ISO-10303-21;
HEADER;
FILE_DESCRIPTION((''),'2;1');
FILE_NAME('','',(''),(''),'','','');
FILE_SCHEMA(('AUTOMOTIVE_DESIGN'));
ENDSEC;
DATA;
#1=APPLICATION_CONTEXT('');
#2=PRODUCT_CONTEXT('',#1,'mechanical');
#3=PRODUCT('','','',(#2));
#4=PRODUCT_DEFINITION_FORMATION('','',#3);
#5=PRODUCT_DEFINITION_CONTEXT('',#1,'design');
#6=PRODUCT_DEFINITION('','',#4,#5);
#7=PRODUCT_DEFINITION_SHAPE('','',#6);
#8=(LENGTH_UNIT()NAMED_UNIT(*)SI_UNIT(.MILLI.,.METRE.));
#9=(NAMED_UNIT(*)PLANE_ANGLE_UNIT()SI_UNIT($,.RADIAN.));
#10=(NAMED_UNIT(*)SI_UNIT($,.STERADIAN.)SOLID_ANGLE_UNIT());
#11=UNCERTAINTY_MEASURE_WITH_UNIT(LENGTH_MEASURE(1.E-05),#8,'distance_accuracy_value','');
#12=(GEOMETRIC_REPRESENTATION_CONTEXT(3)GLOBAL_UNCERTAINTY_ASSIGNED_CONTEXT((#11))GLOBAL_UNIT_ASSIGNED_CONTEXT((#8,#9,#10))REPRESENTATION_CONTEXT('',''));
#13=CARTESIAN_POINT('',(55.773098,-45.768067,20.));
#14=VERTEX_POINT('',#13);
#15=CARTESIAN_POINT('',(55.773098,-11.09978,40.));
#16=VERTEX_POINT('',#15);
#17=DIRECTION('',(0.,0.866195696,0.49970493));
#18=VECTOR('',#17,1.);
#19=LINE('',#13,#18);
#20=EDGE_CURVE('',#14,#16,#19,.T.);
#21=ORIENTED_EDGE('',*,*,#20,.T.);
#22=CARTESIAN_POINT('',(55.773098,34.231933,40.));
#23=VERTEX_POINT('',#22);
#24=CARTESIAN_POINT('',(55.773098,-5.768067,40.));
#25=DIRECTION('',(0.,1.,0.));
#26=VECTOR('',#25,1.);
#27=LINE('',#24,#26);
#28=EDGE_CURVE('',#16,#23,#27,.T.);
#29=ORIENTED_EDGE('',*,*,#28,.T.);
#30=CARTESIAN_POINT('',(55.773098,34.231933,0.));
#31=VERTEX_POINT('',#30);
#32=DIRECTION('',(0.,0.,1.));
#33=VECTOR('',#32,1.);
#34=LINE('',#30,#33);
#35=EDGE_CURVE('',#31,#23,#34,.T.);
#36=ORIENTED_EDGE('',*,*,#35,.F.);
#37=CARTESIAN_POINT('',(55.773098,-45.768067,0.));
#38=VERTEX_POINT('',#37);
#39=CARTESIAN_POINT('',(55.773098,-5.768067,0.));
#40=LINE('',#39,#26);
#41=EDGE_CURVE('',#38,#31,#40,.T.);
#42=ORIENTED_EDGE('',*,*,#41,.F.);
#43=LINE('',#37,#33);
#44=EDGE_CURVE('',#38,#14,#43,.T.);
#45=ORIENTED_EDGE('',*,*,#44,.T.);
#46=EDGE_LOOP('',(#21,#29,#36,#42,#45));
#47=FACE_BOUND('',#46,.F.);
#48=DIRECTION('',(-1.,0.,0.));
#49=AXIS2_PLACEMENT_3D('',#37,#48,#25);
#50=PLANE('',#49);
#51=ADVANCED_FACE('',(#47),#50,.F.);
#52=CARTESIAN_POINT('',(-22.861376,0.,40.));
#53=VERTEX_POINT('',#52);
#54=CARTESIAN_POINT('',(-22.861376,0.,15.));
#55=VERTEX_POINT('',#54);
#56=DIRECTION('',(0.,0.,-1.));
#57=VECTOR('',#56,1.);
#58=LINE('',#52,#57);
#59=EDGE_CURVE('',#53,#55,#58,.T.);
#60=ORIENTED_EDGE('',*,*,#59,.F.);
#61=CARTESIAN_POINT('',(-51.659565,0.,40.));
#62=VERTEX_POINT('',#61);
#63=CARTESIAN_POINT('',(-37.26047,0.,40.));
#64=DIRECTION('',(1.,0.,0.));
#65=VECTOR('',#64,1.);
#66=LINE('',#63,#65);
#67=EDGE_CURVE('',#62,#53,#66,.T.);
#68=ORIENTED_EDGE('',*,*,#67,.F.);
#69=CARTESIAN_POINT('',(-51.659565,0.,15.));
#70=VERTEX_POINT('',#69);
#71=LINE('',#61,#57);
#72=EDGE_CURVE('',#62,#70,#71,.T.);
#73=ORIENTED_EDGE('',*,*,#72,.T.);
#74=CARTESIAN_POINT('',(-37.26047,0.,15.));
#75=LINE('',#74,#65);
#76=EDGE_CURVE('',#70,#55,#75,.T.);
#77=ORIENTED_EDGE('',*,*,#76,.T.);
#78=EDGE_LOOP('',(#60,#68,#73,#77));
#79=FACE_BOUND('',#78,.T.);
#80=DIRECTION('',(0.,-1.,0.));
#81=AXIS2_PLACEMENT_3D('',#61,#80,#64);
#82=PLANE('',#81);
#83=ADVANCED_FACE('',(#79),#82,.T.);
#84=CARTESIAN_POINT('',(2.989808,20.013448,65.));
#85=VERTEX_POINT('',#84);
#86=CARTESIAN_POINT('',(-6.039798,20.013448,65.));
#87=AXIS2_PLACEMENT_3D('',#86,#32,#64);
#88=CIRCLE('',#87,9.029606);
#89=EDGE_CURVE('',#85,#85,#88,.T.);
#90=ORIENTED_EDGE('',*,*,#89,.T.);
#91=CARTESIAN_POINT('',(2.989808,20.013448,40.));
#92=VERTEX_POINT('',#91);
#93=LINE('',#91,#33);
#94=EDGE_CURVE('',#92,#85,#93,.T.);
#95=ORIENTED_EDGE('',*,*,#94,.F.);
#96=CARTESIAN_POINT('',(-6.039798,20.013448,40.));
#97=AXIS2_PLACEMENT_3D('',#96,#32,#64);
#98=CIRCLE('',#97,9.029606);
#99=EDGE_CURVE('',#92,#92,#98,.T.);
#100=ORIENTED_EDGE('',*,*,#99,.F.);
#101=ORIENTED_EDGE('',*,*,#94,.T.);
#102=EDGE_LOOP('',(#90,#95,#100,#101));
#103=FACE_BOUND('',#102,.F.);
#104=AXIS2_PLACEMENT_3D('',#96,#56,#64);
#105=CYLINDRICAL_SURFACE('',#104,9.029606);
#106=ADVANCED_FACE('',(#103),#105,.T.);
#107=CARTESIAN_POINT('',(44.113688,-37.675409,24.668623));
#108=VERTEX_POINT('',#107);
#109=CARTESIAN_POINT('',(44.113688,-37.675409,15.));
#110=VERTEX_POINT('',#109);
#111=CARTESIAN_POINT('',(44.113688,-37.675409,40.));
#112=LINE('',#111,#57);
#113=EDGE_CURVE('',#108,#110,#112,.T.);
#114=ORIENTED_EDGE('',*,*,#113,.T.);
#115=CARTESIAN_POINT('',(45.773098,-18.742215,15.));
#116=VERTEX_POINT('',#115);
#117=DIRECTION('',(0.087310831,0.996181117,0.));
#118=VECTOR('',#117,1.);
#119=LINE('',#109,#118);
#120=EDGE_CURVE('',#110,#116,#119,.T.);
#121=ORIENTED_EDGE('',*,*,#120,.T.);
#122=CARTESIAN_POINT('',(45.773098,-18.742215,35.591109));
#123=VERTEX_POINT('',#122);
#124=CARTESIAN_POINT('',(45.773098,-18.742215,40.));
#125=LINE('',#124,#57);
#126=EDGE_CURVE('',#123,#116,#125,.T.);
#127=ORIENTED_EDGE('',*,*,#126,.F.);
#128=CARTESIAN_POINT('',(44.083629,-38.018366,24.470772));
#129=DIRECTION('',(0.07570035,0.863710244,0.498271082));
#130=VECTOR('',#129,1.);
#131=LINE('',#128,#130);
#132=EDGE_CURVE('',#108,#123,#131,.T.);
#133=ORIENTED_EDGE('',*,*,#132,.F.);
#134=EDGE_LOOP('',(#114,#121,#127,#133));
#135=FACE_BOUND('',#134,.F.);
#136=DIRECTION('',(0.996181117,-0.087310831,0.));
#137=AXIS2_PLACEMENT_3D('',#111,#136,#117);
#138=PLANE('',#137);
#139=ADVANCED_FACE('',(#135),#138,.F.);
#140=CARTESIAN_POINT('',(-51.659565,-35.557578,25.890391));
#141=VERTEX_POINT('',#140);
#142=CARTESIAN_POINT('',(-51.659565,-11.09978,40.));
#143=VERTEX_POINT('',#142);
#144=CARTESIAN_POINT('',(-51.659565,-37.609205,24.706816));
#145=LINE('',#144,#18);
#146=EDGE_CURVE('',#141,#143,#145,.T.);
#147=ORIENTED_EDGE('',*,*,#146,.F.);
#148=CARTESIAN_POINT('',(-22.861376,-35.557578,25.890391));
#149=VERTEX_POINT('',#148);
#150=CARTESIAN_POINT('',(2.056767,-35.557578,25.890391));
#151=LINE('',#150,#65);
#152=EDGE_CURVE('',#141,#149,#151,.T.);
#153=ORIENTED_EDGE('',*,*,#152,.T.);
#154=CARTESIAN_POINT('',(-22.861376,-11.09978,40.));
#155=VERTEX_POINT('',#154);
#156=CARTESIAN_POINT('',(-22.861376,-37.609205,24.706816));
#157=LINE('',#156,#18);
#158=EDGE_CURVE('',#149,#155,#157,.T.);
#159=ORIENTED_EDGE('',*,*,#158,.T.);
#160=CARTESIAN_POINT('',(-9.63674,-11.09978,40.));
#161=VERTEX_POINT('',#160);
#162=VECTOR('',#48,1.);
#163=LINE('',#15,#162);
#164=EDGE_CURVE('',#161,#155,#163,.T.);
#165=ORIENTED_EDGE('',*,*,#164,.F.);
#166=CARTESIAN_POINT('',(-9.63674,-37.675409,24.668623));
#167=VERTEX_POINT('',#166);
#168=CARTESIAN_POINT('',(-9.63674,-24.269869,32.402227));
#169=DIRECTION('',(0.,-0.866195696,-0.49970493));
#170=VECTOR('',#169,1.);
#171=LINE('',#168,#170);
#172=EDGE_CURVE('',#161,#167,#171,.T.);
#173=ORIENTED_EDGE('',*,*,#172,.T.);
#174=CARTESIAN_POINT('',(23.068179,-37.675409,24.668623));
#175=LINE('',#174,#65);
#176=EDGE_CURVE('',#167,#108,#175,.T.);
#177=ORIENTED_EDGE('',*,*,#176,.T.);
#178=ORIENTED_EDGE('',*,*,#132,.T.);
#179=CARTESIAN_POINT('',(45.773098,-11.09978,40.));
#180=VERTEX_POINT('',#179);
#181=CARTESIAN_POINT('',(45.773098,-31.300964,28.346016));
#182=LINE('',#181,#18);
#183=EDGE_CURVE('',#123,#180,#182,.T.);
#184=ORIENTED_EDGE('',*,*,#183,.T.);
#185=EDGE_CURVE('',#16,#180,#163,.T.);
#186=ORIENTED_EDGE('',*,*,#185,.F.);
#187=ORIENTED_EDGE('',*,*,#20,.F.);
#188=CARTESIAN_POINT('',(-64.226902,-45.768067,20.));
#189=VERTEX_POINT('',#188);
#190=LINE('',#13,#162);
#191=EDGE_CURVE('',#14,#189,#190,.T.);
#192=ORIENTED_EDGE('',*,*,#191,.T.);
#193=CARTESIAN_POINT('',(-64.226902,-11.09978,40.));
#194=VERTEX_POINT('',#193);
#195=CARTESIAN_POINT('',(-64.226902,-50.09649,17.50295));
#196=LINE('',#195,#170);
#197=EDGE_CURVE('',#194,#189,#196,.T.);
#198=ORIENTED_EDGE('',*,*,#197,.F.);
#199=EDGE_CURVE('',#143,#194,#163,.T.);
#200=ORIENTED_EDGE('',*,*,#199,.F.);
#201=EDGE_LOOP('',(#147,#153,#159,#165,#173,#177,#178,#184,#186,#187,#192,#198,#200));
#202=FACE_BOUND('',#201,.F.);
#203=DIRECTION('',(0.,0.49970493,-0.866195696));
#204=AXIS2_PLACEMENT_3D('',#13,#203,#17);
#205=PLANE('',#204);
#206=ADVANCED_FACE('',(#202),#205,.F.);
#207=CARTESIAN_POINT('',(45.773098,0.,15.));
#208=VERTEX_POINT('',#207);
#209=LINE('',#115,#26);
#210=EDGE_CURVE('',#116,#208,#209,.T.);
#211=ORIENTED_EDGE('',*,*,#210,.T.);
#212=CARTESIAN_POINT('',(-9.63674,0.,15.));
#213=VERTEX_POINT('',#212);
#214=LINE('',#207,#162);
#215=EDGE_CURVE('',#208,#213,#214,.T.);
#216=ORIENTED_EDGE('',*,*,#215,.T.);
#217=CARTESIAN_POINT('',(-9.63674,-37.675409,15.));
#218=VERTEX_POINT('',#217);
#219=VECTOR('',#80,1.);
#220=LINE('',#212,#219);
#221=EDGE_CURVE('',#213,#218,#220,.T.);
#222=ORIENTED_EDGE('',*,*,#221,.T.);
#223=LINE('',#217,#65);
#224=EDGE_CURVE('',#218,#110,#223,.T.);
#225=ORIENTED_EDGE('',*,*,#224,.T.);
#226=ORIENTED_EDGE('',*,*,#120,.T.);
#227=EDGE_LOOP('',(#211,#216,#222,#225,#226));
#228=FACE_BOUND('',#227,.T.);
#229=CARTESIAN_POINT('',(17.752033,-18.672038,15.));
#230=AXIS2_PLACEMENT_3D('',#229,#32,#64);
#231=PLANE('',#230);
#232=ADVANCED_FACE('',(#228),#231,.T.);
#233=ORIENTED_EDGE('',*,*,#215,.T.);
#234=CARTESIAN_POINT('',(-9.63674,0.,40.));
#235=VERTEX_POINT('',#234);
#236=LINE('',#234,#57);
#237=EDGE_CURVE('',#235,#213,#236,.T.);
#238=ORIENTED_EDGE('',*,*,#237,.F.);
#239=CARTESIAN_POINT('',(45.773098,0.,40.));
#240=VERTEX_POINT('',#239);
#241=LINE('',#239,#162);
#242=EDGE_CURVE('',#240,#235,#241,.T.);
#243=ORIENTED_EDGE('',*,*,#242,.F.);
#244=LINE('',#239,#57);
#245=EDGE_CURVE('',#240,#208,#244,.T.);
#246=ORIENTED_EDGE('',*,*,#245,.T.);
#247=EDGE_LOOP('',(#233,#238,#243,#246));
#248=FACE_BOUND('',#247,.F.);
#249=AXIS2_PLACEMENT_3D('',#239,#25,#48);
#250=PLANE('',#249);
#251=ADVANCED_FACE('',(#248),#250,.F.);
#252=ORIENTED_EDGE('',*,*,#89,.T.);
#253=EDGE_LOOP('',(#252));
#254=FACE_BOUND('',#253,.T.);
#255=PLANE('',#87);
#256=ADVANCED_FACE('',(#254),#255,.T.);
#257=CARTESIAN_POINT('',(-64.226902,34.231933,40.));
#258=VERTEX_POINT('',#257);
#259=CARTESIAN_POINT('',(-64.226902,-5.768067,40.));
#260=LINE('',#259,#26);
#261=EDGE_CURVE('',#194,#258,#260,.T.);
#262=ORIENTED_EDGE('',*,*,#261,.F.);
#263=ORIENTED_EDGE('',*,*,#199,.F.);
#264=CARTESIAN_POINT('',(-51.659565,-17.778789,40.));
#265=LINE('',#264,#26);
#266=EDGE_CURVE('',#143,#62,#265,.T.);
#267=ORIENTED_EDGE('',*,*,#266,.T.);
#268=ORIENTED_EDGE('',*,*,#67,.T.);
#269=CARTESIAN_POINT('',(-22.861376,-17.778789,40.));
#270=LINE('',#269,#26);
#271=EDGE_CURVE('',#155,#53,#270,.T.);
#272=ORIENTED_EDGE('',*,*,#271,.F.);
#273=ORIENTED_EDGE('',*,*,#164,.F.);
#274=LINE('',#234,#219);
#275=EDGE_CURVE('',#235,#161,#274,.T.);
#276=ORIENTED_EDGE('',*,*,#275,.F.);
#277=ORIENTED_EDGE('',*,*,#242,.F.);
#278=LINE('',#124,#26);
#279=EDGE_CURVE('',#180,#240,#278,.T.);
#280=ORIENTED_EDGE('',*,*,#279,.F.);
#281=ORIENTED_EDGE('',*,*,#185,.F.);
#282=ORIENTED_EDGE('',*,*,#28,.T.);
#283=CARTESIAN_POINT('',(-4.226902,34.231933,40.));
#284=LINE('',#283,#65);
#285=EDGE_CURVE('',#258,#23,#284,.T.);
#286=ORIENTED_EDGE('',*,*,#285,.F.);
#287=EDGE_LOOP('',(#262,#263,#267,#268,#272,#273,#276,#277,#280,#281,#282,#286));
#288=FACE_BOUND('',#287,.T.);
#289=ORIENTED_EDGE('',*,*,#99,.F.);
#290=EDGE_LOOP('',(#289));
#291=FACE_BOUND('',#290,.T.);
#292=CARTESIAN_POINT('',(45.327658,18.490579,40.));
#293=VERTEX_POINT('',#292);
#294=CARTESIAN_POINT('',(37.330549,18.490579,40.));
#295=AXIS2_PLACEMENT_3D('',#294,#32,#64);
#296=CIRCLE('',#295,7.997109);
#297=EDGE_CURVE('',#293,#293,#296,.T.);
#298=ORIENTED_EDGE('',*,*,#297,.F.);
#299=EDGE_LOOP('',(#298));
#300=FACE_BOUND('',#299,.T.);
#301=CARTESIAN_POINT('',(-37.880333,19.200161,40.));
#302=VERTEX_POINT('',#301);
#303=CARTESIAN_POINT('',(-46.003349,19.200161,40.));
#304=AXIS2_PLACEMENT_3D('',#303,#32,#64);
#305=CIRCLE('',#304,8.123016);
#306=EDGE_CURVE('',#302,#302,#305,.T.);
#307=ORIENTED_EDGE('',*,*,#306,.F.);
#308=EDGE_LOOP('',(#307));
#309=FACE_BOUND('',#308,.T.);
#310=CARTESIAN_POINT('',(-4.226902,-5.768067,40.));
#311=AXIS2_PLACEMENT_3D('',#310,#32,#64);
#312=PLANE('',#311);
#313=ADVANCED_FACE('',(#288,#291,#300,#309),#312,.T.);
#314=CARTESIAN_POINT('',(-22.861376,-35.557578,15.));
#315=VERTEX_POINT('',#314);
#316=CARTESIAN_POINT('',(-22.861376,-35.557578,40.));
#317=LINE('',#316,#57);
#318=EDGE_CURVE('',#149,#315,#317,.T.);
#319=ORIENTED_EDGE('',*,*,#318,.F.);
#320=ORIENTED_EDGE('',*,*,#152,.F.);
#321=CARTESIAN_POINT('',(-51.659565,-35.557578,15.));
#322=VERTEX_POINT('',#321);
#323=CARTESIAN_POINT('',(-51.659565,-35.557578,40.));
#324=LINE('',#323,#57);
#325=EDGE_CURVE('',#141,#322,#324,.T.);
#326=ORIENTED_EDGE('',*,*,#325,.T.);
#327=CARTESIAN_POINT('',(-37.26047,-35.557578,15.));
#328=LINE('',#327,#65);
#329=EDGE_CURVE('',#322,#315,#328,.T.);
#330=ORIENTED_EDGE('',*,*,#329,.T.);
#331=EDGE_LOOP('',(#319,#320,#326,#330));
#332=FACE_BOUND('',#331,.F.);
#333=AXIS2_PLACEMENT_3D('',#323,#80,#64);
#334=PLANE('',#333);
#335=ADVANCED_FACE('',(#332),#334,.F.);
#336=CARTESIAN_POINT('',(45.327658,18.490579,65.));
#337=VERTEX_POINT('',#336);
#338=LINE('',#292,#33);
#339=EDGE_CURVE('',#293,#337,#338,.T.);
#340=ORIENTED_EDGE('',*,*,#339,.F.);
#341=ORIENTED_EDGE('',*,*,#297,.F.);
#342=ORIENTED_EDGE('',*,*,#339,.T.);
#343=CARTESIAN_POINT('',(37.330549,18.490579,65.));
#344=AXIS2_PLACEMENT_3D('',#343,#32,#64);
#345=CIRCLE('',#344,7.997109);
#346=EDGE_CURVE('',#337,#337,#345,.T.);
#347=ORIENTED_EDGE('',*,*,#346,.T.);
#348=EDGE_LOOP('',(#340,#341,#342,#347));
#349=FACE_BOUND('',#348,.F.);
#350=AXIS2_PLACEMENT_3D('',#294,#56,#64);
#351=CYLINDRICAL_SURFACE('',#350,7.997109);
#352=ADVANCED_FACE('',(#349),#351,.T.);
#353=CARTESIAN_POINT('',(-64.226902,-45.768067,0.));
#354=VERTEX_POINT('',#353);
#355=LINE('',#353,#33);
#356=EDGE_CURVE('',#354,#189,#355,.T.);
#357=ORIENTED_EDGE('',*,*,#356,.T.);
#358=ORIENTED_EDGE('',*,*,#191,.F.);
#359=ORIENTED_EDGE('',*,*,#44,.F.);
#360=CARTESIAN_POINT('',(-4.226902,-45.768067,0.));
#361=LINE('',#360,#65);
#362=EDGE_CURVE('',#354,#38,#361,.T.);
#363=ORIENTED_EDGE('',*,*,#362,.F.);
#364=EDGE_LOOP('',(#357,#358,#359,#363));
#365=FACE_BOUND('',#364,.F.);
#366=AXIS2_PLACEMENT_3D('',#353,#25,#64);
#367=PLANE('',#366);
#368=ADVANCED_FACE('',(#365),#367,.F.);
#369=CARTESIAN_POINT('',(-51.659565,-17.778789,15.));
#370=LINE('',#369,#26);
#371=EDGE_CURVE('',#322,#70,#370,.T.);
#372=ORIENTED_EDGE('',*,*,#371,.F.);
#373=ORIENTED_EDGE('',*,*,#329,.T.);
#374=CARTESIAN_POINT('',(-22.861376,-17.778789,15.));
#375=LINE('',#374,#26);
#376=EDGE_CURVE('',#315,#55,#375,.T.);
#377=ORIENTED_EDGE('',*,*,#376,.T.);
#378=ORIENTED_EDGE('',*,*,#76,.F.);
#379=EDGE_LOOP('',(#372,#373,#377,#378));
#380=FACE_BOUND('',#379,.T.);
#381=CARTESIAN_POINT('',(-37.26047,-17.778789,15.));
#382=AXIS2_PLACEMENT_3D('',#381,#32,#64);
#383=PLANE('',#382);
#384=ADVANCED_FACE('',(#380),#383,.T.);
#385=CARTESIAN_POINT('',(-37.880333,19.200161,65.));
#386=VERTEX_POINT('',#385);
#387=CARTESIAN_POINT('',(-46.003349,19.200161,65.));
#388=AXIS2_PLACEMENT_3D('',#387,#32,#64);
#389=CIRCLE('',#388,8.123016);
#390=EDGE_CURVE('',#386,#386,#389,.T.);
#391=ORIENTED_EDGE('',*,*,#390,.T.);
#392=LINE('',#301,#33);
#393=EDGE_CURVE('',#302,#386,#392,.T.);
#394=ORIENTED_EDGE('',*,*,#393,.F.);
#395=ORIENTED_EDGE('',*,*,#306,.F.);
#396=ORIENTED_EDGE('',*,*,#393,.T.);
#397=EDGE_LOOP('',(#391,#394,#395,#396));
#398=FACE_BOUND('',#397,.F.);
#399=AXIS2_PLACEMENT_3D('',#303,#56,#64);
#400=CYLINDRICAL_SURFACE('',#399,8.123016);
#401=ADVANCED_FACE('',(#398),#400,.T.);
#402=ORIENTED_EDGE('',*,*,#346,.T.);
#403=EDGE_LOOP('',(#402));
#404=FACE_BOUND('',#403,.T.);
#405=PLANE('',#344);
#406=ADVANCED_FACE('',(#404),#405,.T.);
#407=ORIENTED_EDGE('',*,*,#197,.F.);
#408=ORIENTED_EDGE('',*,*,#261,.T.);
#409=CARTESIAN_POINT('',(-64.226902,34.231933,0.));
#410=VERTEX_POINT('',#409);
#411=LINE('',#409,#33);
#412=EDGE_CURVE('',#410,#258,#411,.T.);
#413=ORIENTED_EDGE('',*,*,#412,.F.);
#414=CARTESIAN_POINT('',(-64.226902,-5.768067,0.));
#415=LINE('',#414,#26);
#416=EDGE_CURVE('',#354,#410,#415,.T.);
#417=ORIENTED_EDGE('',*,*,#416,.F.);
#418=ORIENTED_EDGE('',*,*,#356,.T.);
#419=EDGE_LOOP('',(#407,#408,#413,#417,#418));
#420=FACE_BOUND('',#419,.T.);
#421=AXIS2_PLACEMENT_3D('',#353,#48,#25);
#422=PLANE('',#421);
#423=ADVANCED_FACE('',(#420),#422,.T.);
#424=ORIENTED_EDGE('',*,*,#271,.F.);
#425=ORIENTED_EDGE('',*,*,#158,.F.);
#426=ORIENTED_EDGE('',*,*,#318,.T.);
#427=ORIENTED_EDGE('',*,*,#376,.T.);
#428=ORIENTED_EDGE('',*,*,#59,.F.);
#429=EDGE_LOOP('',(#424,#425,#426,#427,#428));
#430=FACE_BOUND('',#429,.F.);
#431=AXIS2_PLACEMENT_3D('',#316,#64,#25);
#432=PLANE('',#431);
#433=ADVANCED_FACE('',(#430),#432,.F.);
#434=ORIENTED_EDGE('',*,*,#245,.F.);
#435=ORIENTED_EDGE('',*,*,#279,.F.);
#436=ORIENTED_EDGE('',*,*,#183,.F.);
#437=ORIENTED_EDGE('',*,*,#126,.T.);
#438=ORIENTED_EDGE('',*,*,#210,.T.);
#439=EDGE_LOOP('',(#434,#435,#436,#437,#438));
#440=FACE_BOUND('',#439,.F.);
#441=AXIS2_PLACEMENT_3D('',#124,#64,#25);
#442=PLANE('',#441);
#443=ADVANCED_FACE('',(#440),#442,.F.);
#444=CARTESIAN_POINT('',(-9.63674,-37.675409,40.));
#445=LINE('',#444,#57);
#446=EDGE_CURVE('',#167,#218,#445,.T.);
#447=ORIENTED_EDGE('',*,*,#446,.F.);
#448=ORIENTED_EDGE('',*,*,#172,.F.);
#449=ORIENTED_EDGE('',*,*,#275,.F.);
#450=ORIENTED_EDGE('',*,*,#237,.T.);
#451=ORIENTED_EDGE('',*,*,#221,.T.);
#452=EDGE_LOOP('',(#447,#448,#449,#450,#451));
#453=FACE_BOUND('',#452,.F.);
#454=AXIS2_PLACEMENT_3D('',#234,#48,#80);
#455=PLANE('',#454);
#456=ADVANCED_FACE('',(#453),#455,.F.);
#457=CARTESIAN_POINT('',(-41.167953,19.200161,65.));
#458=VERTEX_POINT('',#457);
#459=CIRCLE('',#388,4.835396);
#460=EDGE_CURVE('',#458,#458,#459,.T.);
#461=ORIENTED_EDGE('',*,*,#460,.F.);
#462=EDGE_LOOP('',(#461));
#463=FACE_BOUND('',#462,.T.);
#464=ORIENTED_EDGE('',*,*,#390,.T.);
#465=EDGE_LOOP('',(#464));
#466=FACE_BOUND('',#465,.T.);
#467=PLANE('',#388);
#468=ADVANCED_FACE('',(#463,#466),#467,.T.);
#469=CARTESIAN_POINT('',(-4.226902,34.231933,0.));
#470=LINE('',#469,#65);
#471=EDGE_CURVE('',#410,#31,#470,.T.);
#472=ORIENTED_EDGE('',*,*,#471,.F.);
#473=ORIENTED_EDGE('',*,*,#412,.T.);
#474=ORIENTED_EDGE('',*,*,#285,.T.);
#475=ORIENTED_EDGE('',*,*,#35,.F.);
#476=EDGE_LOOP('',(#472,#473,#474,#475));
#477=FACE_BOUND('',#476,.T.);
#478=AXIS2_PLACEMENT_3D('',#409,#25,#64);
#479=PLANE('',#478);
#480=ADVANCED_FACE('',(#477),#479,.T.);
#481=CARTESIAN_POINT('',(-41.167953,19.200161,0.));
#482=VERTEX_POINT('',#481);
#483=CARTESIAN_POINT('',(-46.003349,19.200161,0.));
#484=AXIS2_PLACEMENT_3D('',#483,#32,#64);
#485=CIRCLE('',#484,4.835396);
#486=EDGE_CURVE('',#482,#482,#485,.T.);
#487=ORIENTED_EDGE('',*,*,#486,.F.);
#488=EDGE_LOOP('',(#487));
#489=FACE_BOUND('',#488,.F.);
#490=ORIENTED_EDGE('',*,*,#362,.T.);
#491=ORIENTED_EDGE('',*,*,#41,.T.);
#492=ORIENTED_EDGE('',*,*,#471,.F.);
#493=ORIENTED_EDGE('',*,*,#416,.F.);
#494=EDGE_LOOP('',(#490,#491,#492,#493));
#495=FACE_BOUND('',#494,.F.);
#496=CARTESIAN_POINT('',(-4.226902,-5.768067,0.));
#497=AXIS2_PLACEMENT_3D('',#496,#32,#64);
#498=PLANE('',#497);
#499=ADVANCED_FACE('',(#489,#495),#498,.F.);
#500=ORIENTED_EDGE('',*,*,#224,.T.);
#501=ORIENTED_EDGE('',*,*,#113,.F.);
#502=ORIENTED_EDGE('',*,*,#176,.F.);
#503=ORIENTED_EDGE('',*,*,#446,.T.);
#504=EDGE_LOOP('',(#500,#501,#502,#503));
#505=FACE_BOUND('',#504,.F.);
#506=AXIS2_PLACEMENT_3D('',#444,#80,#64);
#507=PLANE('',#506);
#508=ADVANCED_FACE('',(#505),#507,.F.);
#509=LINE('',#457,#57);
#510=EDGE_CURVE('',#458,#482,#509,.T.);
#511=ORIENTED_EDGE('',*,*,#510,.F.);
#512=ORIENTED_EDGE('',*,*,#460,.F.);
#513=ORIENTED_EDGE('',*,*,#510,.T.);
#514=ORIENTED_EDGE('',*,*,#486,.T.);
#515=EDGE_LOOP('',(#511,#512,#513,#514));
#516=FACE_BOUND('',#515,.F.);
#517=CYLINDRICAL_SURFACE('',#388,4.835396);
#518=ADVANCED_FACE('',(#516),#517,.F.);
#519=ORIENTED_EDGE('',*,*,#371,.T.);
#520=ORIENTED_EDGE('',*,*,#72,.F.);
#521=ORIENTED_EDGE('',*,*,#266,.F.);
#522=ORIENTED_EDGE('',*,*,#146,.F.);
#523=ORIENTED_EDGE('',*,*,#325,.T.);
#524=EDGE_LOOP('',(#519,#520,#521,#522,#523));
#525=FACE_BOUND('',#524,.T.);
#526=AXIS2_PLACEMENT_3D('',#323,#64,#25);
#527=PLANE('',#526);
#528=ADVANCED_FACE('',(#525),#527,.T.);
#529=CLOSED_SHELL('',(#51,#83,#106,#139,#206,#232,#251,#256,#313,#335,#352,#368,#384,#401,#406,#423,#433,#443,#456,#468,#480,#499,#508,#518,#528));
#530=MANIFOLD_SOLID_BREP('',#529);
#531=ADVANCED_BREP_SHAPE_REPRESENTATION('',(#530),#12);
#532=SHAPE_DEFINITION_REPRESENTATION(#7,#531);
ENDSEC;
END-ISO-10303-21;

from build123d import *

# Parameters (mm, degrees)
F0_W     = 120
F0_H     = 80
F1_DEPTH = 40
F2_W     = 28.798189
F2_H     = 35.557579
F3_DEPTH = 25
F5_DEPTH = 120.001
F6_R     = 8.123016
F6_R_2   = 9.029606
F6_R_3   = 7.997109
F7_DEPTH = 25
F8_R     = 4.835396
F9_DEPTH = 65.001


with BuildPart() as f1:
    # F0 (on Top) → F1 (new body)
    with BuildSketch(Plane.XY):
        with Locations((-4.226902, -5.768067)):
            Rectangle(F0_W, F0_H)
    extrude(amount=F1_DEPTH)

    # F2 (on face) → F3 (cut)
    with BuildSketch(Plane.XY.offset(40)):
        with Locations((-37.26047, -17.778789)):
            Rectangle(F2_W, F2_H)
        Polygon((45.773098, 0), (-9.63674, 0), (-9.63674, -37.675409), (44.113688, -37.675409), (45.773098, -18.742215), align=None)
    extrude(amount=-F3_DEPTH, mode=Mode.SUBTRACT)

    # F4 (on face) → F5 (cut, through all)
    with BuildSketch(Plane.YZ.offset(55.773098)):
        Polygon((-45.768067, 40), (-45.768067, 20), (-11.09978, 40), align=None)
    extrude(amount=-F5_DEPTH, mode=Mode.SUBTRACT)

    # F6 (on face) → F7 (join)
    with BuildSketch(Plane.XY.offset(40)):
        with Locations((-46.003349, 19.200161)):
            Circle(F6_R)
        with Locations((-6.039798, 20.013448)):
            Circle(F6_R_2)
        with Locations((37.330549, 18.490579)):
            Circle(F6_R_3)
    extrude(amount=F7_DEPTH)

    # F8 (on face) → F9 (cut, through all)
    with BuildSketch(Plane.XY.offset(65)):
        with Locations((-46.003349, 19.200161)):
            Circle(F8_R)
    extrude(amount=-F9_DEPTH, mode=Mode.SUBTRACT)


solid = f1.part
